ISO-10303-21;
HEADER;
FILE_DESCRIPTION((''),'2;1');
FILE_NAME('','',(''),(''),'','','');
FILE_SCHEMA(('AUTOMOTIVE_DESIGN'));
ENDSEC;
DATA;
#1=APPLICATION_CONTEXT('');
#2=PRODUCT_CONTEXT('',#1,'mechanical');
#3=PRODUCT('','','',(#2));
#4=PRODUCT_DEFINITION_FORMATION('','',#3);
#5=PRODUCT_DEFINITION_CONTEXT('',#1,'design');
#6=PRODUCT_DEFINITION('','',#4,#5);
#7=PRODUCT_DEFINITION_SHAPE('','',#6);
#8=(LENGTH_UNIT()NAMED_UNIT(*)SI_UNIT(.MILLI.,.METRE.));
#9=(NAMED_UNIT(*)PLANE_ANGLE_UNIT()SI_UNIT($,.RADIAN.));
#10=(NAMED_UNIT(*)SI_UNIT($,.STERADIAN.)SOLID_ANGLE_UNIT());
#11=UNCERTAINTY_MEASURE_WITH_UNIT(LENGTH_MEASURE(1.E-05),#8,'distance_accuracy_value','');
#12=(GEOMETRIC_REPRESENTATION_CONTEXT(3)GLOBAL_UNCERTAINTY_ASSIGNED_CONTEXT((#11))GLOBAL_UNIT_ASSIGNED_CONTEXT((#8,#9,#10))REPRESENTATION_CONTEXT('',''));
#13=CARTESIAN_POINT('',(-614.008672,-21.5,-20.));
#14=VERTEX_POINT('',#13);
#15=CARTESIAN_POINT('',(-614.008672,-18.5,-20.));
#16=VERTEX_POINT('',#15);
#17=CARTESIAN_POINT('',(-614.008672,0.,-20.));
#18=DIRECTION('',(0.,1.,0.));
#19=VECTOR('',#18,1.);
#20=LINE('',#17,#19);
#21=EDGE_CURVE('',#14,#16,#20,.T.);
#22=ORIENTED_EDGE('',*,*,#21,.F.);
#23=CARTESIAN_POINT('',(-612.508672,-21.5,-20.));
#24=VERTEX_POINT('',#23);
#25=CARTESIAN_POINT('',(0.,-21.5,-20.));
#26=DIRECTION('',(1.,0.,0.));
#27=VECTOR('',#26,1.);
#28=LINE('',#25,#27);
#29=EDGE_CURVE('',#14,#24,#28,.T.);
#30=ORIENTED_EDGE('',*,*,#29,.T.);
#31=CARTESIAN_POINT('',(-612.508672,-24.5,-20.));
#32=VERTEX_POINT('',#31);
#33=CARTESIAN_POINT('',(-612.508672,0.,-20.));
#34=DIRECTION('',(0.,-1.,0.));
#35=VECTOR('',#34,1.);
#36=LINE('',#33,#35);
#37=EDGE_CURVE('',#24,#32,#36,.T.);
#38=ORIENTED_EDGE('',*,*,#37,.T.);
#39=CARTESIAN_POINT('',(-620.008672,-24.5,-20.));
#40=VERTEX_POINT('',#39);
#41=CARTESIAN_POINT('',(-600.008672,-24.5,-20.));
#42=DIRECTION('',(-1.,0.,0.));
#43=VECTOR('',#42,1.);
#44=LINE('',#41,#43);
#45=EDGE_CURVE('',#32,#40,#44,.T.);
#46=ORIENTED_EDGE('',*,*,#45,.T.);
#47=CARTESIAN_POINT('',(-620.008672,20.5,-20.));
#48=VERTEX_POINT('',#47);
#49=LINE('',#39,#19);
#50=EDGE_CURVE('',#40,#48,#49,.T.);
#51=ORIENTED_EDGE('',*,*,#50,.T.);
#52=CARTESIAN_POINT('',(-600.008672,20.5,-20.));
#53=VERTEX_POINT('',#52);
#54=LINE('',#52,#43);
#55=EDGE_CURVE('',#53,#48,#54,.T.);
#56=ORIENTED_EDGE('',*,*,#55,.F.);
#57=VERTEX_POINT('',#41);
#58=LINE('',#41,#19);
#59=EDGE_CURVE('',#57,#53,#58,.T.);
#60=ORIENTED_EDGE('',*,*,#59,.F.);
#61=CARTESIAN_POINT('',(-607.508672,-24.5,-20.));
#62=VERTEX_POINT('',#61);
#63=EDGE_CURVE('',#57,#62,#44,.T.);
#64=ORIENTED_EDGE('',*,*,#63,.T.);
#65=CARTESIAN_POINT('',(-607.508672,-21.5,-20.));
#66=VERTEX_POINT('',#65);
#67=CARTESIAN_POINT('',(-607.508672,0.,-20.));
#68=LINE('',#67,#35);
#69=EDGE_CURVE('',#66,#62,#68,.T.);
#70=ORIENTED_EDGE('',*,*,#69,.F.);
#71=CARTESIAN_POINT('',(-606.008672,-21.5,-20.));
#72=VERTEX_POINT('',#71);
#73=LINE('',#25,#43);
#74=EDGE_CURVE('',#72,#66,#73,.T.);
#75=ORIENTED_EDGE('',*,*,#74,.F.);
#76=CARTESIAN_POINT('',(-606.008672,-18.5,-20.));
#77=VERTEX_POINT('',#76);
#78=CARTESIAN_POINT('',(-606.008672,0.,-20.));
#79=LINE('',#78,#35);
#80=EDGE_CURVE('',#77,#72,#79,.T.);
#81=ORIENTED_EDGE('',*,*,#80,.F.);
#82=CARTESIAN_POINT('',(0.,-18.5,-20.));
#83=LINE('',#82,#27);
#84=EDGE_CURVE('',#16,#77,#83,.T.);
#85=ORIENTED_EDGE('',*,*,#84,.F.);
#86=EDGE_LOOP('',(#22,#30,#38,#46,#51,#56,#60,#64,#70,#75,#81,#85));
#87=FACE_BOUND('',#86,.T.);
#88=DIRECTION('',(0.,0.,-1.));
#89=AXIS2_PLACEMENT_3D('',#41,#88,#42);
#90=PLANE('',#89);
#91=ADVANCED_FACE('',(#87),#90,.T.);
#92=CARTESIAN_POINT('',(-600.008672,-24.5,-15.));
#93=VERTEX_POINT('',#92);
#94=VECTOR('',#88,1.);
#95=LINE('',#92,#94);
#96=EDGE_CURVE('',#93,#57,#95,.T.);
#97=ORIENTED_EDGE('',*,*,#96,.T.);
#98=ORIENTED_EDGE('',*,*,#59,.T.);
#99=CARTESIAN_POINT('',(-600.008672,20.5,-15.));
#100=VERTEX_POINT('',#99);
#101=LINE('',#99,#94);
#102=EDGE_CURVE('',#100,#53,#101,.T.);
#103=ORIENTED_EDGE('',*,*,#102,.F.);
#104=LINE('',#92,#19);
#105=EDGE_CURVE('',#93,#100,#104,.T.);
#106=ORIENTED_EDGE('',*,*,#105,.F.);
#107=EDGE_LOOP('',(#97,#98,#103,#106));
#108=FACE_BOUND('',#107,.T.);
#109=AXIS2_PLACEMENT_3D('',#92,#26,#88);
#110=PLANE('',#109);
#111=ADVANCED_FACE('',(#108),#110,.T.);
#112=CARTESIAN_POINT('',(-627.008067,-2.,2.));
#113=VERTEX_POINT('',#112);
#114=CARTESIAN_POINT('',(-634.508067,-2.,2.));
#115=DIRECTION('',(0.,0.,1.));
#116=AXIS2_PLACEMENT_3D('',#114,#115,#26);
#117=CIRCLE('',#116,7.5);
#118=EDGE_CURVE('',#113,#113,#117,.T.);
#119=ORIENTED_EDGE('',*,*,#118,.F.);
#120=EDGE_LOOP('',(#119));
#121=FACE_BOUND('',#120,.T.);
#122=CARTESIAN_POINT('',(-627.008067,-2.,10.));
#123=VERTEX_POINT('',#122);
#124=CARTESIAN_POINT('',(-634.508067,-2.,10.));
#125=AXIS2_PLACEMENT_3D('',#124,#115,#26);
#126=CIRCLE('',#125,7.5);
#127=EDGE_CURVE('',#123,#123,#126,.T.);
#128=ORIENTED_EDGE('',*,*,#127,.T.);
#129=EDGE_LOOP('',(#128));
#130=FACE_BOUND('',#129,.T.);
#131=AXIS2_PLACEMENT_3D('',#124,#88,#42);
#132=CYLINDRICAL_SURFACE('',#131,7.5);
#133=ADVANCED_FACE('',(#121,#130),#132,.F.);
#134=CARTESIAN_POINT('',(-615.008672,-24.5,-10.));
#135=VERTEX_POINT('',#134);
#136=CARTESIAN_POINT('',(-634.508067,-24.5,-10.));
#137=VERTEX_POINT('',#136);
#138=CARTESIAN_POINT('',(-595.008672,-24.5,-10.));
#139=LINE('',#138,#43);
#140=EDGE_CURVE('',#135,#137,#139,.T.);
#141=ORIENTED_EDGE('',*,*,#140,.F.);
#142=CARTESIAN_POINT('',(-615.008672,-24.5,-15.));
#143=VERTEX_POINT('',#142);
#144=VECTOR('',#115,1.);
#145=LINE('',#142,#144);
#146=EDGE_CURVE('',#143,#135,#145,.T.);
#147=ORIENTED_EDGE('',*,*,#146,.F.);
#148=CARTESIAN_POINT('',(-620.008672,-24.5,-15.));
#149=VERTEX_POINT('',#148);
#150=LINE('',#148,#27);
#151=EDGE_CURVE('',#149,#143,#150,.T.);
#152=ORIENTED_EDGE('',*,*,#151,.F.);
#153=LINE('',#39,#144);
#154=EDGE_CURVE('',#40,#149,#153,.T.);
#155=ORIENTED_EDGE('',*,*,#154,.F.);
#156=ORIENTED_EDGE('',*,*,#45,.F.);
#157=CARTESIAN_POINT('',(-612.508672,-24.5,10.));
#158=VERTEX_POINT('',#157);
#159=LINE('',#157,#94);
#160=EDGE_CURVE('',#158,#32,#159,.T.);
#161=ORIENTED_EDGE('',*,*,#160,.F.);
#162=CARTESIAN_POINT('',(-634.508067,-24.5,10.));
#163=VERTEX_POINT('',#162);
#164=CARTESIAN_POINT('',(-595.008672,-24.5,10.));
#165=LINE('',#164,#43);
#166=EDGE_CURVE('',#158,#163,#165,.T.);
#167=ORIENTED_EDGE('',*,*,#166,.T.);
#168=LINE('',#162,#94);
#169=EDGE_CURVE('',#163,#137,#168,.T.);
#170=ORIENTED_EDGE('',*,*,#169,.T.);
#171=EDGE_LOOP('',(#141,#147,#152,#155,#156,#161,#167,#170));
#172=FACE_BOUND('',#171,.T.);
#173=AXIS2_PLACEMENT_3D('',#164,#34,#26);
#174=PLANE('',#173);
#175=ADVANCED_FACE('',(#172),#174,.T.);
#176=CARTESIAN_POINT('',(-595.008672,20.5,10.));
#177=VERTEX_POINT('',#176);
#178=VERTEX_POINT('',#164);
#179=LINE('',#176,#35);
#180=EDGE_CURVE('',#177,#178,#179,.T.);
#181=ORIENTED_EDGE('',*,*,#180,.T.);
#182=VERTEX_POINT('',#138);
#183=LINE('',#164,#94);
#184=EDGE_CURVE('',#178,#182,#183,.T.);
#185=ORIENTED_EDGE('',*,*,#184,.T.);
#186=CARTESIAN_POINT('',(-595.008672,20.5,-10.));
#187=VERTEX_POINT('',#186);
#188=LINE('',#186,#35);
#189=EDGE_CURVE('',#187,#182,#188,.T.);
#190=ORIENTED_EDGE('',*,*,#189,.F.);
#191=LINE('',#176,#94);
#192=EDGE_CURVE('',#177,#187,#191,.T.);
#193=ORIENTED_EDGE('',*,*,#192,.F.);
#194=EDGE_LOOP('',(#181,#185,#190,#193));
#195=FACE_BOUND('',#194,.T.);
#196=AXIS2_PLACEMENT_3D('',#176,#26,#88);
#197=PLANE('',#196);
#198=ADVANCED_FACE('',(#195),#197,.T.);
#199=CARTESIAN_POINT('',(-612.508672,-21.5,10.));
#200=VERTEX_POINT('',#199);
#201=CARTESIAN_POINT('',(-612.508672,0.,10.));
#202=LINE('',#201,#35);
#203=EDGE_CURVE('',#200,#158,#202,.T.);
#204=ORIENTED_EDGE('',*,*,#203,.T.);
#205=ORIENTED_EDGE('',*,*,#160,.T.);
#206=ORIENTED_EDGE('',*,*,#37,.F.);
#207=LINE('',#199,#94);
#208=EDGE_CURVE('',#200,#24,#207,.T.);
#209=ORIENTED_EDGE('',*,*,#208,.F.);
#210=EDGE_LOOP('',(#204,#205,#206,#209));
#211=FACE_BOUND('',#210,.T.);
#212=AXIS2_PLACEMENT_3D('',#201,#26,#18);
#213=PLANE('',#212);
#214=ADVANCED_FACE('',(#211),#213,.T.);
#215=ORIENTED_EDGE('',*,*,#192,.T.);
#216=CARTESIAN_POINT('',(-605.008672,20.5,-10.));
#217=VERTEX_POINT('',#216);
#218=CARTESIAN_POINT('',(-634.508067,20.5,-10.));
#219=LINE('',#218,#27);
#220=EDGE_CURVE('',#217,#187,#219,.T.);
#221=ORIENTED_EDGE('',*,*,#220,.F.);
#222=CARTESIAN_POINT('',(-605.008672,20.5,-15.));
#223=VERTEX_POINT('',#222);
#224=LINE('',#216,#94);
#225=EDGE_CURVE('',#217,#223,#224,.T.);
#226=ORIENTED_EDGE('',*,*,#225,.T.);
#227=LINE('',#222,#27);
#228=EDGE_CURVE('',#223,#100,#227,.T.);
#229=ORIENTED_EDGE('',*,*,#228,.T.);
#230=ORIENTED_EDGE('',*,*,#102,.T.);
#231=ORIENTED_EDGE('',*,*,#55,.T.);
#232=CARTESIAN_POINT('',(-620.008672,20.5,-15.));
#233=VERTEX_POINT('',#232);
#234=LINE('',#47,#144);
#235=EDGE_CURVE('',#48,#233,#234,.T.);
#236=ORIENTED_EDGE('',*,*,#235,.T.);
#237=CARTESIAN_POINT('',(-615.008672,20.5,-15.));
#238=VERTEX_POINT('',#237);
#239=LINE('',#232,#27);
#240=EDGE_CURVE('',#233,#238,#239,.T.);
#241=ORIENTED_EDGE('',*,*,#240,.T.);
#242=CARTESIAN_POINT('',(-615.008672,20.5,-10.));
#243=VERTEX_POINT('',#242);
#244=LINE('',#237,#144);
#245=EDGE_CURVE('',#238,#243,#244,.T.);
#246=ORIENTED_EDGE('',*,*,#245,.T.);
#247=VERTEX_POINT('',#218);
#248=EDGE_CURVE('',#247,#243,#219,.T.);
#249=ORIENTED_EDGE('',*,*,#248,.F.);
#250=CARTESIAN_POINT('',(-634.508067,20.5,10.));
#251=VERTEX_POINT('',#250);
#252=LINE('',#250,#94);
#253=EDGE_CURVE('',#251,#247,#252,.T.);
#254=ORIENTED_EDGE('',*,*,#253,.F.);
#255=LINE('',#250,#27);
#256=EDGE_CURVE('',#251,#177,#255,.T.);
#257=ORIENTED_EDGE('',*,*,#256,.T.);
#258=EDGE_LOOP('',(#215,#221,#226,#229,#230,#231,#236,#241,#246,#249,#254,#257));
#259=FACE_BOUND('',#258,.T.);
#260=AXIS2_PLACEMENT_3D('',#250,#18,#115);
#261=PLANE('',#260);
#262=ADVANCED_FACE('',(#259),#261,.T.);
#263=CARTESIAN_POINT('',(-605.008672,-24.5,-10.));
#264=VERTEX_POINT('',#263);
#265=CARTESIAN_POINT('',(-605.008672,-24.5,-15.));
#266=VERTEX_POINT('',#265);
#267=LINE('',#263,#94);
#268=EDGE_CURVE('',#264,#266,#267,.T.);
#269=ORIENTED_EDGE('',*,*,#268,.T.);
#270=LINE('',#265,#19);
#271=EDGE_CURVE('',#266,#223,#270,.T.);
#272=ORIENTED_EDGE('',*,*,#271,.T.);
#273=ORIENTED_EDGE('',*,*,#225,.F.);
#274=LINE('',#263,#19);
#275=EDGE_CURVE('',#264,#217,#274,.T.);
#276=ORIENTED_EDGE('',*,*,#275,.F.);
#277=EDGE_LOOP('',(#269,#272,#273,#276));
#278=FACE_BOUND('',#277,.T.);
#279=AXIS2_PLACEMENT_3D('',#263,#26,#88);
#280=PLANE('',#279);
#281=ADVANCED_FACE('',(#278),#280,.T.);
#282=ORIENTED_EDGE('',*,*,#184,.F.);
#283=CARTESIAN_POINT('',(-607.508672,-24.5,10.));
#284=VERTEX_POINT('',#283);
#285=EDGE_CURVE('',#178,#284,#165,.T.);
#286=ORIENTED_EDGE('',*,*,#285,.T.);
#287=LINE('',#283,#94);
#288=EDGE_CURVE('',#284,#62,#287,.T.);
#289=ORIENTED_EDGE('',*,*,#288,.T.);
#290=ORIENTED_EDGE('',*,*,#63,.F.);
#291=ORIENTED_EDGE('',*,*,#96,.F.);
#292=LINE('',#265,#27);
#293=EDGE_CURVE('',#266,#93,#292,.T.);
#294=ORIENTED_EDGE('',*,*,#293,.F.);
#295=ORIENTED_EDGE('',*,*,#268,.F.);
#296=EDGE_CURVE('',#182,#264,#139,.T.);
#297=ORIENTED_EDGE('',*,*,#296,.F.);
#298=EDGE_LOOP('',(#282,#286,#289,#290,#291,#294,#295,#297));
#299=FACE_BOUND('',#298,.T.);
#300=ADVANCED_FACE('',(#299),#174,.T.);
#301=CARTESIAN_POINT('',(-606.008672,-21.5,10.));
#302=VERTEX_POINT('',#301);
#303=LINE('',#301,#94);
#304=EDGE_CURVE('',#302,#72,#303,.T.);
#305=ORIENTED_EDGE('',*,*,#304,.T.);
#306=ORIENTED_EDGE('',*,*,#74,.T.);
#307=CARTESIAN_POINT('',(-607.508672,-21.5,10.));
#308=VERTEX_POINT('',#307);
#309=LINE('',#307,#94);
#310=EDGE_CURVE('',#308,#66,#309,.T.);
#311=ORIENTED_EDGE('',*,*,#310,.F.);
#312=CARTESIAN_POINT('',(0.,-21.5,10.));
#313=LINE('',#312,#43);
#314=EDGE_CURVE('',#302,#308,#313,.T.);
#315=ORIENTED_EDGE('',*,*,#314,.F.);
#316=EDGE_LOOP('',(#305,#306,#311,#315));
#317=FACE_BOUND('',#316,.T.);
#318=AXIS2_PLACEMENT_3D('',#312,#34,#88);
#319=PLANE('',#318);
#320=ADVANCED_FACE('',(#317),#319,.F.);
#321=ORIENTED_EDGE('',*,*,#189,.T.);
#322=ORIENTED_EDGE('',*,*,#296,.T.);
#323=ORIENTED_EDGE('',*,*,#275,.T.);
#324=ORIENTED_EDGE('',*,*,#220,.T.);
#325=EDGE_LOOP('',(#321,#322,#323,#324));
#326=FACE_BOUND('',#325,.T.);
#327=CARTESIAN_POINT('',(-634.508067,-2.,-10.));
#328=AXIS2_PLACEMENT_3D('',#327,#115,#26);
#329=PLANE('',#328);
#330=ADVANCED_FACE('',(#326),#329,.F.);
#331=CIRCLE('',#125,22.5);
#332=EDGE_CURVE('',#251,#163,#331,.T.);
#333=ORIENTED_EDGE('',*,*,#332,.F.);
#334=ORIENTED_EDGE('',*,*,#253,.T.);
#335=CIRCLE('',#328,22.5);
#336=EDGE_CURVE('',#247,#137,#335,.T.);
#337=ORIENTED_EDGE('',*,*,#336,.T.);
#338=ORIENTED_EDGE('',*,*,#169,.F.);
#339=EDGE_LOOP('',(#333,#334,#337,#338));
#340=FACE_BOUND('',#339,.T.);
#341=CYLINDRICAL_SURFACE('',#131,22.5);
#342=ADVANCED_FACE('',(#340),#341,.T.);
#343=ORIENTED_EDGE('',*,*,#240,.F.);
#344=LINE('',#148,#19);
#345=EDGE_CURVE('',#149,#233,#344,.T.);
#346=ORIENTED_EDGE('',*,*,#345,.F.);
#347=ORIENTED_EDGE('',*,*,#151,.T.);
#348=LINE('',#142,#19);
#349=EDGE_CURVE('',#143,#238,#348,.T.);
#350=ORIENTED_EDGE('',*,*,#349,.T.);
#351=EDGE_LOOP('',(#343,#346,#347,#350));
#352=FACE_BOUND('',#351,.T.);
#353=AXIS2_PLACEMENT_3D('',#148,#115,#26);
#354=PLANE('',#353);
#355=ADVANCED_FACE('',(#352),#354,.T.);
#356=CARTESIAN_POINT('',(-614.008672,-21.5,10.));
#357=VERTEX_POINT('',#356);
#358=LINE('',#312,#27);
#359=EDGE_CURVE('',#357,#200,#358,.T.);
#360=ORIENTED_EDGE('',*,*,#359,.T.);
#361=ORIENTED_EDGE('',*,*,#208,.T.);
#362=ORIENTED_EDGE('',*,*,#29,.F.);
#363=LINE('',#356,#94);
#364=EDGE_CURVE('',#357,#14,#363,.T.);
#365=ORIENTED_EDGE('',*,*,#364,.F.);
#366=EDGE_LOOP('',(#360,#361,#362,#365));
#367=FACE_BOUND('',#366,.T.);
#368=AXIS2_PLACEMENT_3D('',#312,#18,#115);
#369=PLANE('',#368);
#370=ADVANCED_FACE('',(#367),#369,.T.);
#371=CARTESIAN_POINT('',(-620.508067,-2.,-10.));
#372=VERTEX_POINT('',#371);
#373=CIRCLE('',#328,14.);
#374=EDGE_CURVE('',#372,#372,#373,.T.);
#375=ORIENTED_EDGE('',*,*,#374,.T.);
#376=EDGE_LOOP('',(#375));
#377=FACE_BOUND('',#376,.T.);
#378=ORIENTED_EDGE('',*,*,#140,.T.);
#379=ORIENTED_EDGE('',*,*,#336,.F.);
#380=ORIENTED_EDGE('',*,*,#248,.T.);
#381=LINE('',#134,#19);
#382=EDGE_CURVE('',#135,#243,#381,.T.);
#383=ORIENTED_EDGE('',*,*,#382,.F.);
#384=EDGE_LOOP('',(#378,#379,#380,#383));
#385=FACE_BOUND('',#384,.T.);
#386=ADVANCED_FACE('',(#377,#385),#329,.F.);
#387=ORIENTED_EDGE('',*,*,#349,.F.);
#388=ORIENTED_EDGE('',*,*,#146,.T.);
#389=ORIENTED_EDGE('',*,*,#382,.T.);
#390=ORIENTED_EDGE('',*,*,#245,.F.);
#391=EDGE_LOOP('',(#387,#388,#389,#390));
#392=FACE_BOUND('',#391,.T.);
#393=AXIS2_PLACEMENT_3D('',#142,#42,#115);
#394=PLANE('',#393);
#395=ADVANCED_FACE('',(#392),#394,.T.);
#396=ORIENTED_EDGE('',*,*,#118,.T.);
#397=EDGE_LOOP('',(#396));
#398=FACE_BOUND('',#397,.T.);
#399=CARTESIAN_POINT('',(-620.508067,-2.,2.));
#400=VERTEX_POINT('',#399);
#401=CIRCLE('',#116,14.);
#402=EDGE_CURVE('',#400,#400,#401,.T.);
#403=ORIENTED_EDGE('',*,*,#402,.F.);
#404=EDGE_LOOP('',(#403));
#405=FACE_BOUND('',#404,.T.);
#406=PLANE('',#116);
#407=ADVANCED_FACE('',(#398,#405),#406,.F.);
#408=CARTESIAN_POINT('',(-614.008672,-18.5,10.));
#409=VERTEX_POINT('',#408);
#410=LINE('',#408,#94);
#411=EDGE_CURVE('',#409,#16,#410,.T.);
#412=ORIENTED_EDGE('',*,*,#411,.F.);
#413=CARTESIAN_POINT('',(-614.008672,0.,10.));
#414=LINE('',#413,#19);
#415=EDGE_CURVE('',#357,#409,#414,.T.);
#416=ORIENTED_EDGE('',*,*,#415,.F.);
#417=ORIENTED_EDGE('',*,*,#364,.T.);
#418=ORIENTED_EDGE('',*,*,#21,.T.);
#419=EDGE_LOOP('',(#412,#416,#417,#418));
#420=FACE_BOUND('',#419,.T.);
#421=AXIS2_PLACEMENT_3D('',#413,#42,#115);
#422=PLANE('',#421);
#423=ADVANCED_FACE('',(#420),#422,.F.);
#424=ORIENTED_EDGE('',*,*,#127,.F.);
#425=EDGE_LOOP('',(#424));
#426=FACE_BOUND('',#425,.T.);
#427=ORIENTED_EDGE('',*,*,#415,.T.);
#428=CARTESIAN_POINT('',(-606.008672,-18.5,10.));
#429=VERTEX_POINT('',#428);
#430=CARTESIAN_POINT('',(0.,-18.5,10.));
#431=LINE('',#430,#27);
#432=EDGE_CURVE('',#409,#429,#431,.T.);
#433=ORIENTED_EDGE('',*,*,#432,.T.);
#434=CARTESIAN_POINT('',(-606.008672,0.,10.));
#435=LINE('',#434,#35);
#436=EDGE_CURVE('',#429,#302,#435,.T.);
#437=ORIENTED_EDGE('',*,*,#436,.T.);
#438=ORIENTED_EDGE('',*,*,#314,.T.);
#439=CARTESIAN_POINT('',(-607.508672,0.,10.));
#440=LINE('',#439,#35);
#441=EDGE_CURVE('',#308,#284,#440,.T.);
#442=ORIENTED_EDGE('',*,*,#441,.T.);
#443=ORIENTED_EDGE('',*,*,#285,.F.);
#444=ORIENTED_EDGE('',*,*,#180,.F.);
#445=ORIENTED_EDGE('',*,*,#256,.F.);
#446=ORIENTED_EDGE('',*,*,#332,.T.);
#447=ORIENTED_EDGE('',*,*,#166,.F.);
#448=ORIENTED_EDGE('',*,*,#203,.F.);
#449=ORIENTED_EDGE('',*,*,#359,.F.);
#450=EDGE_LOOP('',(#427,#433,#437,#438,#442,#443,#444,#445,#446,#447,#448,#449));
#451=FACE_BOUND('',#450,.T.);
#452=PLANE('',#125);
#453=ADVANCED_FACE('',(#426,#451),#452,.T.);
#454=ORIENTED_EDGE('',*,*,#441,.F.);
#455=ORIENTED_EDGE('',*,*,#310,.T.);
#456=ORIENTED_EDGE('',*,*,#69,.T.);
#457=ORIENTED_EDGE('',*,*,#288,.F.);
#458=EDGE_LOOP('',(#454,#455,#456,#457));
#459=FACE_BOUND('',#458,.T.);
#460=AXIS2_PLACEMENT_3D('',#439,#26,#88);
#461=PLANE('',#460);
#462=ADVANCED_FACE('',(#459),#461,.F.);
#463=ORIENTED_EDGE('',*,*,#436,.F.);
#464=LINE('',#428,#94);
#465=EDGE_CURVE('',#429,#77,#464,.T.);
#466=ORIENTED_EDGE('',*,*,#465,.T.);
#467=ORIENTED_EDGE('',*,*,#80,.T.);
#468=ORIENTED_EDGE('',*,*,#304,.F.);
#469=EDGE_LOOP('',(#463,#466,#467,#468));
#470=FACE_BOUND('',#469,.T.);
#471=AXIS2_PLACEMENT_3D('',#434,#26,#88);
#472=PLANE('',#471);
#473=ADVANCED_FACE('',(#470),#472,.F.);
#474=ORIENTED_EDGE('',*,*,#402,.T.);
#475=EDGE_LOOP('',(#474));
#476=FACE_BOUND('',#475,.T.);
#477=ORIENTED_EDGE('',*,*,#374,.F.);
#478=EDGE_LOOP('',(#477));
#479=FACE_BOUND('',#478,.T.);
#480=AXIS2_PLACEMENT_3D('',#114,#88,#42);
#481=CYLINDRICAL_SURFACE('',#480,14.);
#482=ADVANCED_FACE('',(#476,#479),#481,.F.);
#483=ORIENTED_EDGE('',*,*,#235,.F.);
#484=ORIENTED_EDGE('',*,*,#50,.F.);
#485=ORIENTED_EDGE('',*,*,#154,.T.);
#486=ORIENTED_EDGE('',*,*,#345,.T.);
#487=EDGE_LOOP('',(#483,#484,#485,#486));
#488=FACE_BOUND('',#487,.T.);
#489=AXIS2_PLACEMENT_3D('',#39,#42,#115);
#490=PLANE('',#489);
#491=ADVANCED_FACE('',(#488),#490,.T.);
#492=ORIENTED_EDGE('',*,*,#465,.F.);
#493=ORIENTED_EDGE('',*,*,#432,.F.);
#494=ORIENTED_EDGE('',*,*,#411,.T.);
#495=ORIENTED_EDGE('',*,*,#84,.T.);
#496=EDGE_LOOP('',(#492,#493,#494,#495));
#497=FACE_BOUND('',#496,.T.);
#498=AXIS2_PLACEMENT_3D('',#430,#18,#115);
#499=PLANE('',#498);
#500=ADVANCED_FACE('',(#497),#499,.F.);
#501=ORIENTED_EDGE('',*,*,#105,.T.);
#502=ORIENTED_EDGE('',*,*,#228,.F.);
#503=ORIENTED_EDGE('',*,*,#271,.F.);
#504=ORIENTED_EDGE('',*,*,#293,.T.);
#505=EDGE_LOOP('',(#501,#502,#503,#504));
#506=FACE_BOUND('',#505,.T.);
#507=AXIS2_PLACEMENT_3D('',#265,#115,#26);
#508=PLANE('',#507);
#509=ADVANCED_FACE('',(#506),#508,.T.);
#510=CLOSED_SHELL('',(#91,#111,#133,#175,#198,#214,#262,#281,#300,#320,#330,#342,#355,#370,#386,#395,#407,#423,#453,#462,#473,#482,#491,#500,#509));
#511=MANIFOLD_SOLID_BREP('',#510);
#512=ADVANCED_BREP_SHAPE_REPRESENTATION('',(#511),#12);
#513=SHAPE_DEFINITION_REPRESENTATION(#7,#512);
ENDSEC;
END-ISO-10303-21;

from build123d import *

# Parameters (mm, degrees)
ESQUISSE1_R                  = 7.5
BOSS_EXTRU_1_DEPTH           = 10
ESQUISSE1_5_R                = 14
ENL_V_MAT_EXTRU_1_DEPTH      = 2
ENL_V_MAT_EXTRU_1_DEPTH_BACK = 10
BOSS_EXTRU_2_DEPTH           = 45
ENL_V_MAT_EXTRU_2_DEPTH      = 11
ENL_V_MAT_EXTRU_2_DEPTH_BACK = 21


with BuildPart() as part:
    # Esquisse1 → Boss.-Extru.1 (new body, symmetric)
    with BuildSketch(Plane.XY):
        with BuildLine():
            Line((-634.508066615, 20.5), (-595.008671928, 20.5))
            Line((-595.008671928, 20.5), (-595.008671928, -24.5))
            Line((-595.008671928, -24.5), (-634.508066615, -24.5))
            ThreePointArc((-634.508066615, -24.5), (-657.008066615, -2), (-634.508066615, 20.5))
        make_face()
        with Locations((-634.508066615, -2)):
            Circle(ESQUISSE1_R, mode=Mode.SUBTRACT)
    extrude(amount=BOSS_EXTRU_1_DEPTH, both=True)

    # Esquisse1_5 → Enl_v. mat.-Extru.1 (cut, two sides)
    with BuildSketch(Plane.XY) as enl_v_mat_extru_1_sk:
        with Locations((-634.508066615, -2)):
            Circle(ESQUISSE1_5_R)
    extrude(amount=ENL_V_MAT_EXTRU_1_DEPTH, mode=Mode.SUBTRACT)
    extrude(enl_v_mat_extru_1_sk.sketch, amount=-ENL_V_MAT_EXTRU_1_DEPTH_BACK, mode=Mode.SUBTRACT)

    # Esquisse2 → Boss.-Extru.2 (add)
    with BuildSketch(Plane(origin=(0, 20.5, 0), x_dir=(1, 0, 0), z_dir=(0, 1, 0))):
        Polygon((-605.008671928, 10), (-605.008671928, 15), (-600.008671928, 15), (-600.008671928, 20), (-620.008671928, 20), (-620.008671928, 15), (-615.008671928, 15), (-615.008671928, 10), align=None)
    extrude(amount=-BOSS_EXTRU_2_DEPTH)

    # Esquisse1_7 → Enl_v. mat.-Extru.2 (cut, two sides)
    with BuildSketch(Plane.XY) as enl_v_mat_extru_2_sk:
        Polygon((-612.508671928, -21.5), (-612.508671928, -24.5), (-607.508671928, -24.5), (-607.508671928, -21.5), (-606.008671928, -21.5), (-606.008671928, -18.5), (-614.008671928, -18.5), (-614.008671928, -21.5), align=None)
    extrude(amount=ENL_V_MAT_EXTRU_2_DEPTH, mode=Mode.SUBTRACT)
    extrude(enl_v_mat_extru_2_sk.sketch, amount=-ENL_V_MAT_EXTRU_2_DEPTH_BACK, mode=Mode.SUBTRACT)


solid = part.part
